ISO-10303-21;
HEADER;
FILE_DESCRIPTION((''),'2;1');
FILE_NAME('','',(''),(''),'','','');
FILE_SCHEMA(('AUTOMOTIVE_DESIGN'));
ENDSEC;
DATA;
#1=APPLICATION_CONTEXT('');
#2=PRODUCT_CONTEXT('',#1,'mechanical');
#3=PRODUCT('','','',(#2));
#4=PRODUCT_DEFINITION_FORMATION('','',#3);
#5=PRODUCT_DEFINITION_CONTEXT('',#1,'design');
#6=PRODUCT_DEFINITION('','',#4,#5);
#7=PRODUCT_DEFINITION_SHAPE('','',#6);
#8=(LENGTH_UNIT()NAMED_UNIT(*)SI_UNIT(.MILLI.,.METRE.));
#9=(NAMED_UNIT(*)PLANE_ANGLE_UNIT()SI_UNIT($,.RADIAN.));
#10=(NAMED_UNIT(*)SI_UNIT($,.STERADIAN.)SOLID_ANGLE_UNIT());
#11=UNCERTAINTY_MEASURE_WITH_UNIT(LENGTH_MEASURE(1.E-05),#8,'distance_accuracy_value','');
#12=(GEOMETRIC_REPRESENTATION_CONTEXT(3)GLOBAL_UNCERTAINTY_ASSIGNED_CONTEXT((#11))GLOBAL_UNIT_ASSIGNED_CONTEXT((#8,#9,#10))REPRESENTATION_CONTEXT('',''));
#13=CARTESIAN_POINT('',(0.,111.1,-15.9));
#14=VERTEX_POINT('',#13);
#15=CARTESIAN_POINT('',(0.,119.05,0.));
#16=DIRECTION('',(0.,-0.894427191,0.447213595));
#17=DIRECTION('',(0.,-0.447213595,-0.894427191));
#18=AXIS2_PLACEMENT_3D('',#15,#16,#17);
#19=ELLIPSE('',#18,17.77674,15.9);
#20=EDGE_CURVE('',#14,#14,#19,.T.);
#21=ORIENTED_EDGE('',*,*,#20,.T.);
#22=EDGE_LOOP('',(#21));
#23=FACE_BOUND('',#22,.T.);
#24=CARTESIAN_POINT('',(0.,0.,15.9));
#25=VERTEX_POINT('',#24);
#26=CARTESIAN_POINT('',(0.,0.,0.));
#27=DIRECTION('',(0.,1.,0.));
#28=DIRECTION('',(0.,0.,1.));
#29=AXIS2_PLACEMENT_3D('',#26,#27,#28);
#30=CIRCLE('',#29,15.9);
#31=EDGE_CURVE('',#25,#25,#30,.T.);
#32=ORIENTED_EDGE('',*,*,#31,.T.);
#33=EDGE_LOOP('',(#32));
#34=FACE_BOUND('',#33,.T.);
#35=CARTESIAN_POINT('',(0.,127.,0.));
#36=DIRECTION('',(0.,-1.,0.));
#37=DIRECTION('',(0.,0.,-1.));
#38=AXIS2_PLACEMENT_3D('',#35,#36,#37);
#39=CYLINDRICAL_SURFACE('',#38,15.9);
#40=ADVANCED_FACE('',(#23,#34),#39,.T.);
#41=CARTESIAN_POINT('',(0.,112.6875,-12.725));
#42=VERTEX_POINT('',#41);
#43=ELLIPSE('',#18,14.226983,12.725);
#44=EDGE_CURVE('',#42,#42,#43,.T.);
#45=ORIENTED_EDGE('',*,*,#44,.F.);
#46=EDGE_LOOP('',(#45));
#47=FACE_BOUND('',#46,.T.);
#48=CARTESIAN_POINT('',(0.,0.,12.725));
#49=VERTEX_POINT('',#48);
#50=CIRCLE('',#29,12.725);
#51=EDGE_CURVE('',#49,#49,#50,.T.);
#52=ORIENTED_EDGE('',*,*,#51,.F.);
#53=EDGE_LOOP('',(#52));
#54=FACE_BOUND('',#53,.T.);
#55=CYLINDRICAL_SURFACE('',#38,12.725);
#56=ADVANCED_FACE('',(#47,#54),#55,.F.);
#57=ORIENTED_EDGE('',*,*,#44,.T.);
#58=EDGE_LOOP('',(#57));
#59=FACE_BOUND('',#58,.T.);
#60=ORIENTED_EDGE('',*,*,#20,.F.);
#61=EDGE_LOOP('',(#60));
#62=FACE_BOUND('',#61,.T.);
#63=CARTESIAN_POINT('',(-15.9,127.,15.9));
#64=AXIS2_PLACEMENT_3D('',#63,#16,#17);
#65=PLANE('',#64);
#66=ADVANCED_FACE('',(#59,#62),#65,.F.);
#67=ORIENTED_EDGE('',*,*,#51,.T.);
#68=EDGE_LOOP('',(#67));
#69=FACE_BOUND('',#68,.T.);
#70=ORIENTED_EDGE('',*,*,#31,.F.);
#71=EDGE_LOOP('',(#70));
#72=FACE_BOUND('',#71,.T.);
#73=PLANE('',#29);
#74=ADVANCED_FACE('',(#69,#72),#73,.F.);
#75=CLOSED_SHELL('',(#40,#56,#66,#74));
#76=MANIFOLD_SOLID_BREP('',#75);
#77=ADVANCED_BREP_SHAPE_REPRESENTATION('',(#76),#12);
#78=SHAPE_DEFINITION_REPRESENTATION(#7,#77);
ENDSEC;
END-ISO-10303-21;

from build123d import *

# Parameters (mm, degrees)
SKETCH1_R               = 15.9
SKETCH1_R_2             = 12.725
BOSS_EXTRUDE1_DEPTH     = 127
CUT_EXTRUDE1_DEPTH      = 16.9
CUT_EXTRUDE1_DEPTH_BACK = 16.9


with BuildPart() as part:
    # Sketch1 → Boss-Extrude1 (new body)
    with BuildSketch(Plane(origin=(0, 0, 0), x_dir=(1, 0, 0), z_dir=(0, 1, 0))):
        Circle(SKETCH1_R)
        Circle(SKETCH1_R_2, mode=Mode.SUBTRACT)
    extrude(amount=BOSS_EXTRUDE1_DEPTH)

    # Sketch2 → Cut-Extrude1 (cut, two sides)
    with BuildSketch(Plane(origin=(0, 0, 0), x_dir=(0, 0, -1), z_dir=(1, 0, 0))) as cut_extrude1_sk:
        Polygon((15.9, 127), (-15.9, 127), (15.9, 111.1), align=None)
    extrude(amount=CUT_EXTRUDE1_DEPTH, mode=Mode.SUBTRACT)
    extrude(cut_extrude1_sk.sketch, amount=-CUT_EXTRUDE1_DEPTH_BACK, mode=Mode.SUBTRACT)


solid = part.part
